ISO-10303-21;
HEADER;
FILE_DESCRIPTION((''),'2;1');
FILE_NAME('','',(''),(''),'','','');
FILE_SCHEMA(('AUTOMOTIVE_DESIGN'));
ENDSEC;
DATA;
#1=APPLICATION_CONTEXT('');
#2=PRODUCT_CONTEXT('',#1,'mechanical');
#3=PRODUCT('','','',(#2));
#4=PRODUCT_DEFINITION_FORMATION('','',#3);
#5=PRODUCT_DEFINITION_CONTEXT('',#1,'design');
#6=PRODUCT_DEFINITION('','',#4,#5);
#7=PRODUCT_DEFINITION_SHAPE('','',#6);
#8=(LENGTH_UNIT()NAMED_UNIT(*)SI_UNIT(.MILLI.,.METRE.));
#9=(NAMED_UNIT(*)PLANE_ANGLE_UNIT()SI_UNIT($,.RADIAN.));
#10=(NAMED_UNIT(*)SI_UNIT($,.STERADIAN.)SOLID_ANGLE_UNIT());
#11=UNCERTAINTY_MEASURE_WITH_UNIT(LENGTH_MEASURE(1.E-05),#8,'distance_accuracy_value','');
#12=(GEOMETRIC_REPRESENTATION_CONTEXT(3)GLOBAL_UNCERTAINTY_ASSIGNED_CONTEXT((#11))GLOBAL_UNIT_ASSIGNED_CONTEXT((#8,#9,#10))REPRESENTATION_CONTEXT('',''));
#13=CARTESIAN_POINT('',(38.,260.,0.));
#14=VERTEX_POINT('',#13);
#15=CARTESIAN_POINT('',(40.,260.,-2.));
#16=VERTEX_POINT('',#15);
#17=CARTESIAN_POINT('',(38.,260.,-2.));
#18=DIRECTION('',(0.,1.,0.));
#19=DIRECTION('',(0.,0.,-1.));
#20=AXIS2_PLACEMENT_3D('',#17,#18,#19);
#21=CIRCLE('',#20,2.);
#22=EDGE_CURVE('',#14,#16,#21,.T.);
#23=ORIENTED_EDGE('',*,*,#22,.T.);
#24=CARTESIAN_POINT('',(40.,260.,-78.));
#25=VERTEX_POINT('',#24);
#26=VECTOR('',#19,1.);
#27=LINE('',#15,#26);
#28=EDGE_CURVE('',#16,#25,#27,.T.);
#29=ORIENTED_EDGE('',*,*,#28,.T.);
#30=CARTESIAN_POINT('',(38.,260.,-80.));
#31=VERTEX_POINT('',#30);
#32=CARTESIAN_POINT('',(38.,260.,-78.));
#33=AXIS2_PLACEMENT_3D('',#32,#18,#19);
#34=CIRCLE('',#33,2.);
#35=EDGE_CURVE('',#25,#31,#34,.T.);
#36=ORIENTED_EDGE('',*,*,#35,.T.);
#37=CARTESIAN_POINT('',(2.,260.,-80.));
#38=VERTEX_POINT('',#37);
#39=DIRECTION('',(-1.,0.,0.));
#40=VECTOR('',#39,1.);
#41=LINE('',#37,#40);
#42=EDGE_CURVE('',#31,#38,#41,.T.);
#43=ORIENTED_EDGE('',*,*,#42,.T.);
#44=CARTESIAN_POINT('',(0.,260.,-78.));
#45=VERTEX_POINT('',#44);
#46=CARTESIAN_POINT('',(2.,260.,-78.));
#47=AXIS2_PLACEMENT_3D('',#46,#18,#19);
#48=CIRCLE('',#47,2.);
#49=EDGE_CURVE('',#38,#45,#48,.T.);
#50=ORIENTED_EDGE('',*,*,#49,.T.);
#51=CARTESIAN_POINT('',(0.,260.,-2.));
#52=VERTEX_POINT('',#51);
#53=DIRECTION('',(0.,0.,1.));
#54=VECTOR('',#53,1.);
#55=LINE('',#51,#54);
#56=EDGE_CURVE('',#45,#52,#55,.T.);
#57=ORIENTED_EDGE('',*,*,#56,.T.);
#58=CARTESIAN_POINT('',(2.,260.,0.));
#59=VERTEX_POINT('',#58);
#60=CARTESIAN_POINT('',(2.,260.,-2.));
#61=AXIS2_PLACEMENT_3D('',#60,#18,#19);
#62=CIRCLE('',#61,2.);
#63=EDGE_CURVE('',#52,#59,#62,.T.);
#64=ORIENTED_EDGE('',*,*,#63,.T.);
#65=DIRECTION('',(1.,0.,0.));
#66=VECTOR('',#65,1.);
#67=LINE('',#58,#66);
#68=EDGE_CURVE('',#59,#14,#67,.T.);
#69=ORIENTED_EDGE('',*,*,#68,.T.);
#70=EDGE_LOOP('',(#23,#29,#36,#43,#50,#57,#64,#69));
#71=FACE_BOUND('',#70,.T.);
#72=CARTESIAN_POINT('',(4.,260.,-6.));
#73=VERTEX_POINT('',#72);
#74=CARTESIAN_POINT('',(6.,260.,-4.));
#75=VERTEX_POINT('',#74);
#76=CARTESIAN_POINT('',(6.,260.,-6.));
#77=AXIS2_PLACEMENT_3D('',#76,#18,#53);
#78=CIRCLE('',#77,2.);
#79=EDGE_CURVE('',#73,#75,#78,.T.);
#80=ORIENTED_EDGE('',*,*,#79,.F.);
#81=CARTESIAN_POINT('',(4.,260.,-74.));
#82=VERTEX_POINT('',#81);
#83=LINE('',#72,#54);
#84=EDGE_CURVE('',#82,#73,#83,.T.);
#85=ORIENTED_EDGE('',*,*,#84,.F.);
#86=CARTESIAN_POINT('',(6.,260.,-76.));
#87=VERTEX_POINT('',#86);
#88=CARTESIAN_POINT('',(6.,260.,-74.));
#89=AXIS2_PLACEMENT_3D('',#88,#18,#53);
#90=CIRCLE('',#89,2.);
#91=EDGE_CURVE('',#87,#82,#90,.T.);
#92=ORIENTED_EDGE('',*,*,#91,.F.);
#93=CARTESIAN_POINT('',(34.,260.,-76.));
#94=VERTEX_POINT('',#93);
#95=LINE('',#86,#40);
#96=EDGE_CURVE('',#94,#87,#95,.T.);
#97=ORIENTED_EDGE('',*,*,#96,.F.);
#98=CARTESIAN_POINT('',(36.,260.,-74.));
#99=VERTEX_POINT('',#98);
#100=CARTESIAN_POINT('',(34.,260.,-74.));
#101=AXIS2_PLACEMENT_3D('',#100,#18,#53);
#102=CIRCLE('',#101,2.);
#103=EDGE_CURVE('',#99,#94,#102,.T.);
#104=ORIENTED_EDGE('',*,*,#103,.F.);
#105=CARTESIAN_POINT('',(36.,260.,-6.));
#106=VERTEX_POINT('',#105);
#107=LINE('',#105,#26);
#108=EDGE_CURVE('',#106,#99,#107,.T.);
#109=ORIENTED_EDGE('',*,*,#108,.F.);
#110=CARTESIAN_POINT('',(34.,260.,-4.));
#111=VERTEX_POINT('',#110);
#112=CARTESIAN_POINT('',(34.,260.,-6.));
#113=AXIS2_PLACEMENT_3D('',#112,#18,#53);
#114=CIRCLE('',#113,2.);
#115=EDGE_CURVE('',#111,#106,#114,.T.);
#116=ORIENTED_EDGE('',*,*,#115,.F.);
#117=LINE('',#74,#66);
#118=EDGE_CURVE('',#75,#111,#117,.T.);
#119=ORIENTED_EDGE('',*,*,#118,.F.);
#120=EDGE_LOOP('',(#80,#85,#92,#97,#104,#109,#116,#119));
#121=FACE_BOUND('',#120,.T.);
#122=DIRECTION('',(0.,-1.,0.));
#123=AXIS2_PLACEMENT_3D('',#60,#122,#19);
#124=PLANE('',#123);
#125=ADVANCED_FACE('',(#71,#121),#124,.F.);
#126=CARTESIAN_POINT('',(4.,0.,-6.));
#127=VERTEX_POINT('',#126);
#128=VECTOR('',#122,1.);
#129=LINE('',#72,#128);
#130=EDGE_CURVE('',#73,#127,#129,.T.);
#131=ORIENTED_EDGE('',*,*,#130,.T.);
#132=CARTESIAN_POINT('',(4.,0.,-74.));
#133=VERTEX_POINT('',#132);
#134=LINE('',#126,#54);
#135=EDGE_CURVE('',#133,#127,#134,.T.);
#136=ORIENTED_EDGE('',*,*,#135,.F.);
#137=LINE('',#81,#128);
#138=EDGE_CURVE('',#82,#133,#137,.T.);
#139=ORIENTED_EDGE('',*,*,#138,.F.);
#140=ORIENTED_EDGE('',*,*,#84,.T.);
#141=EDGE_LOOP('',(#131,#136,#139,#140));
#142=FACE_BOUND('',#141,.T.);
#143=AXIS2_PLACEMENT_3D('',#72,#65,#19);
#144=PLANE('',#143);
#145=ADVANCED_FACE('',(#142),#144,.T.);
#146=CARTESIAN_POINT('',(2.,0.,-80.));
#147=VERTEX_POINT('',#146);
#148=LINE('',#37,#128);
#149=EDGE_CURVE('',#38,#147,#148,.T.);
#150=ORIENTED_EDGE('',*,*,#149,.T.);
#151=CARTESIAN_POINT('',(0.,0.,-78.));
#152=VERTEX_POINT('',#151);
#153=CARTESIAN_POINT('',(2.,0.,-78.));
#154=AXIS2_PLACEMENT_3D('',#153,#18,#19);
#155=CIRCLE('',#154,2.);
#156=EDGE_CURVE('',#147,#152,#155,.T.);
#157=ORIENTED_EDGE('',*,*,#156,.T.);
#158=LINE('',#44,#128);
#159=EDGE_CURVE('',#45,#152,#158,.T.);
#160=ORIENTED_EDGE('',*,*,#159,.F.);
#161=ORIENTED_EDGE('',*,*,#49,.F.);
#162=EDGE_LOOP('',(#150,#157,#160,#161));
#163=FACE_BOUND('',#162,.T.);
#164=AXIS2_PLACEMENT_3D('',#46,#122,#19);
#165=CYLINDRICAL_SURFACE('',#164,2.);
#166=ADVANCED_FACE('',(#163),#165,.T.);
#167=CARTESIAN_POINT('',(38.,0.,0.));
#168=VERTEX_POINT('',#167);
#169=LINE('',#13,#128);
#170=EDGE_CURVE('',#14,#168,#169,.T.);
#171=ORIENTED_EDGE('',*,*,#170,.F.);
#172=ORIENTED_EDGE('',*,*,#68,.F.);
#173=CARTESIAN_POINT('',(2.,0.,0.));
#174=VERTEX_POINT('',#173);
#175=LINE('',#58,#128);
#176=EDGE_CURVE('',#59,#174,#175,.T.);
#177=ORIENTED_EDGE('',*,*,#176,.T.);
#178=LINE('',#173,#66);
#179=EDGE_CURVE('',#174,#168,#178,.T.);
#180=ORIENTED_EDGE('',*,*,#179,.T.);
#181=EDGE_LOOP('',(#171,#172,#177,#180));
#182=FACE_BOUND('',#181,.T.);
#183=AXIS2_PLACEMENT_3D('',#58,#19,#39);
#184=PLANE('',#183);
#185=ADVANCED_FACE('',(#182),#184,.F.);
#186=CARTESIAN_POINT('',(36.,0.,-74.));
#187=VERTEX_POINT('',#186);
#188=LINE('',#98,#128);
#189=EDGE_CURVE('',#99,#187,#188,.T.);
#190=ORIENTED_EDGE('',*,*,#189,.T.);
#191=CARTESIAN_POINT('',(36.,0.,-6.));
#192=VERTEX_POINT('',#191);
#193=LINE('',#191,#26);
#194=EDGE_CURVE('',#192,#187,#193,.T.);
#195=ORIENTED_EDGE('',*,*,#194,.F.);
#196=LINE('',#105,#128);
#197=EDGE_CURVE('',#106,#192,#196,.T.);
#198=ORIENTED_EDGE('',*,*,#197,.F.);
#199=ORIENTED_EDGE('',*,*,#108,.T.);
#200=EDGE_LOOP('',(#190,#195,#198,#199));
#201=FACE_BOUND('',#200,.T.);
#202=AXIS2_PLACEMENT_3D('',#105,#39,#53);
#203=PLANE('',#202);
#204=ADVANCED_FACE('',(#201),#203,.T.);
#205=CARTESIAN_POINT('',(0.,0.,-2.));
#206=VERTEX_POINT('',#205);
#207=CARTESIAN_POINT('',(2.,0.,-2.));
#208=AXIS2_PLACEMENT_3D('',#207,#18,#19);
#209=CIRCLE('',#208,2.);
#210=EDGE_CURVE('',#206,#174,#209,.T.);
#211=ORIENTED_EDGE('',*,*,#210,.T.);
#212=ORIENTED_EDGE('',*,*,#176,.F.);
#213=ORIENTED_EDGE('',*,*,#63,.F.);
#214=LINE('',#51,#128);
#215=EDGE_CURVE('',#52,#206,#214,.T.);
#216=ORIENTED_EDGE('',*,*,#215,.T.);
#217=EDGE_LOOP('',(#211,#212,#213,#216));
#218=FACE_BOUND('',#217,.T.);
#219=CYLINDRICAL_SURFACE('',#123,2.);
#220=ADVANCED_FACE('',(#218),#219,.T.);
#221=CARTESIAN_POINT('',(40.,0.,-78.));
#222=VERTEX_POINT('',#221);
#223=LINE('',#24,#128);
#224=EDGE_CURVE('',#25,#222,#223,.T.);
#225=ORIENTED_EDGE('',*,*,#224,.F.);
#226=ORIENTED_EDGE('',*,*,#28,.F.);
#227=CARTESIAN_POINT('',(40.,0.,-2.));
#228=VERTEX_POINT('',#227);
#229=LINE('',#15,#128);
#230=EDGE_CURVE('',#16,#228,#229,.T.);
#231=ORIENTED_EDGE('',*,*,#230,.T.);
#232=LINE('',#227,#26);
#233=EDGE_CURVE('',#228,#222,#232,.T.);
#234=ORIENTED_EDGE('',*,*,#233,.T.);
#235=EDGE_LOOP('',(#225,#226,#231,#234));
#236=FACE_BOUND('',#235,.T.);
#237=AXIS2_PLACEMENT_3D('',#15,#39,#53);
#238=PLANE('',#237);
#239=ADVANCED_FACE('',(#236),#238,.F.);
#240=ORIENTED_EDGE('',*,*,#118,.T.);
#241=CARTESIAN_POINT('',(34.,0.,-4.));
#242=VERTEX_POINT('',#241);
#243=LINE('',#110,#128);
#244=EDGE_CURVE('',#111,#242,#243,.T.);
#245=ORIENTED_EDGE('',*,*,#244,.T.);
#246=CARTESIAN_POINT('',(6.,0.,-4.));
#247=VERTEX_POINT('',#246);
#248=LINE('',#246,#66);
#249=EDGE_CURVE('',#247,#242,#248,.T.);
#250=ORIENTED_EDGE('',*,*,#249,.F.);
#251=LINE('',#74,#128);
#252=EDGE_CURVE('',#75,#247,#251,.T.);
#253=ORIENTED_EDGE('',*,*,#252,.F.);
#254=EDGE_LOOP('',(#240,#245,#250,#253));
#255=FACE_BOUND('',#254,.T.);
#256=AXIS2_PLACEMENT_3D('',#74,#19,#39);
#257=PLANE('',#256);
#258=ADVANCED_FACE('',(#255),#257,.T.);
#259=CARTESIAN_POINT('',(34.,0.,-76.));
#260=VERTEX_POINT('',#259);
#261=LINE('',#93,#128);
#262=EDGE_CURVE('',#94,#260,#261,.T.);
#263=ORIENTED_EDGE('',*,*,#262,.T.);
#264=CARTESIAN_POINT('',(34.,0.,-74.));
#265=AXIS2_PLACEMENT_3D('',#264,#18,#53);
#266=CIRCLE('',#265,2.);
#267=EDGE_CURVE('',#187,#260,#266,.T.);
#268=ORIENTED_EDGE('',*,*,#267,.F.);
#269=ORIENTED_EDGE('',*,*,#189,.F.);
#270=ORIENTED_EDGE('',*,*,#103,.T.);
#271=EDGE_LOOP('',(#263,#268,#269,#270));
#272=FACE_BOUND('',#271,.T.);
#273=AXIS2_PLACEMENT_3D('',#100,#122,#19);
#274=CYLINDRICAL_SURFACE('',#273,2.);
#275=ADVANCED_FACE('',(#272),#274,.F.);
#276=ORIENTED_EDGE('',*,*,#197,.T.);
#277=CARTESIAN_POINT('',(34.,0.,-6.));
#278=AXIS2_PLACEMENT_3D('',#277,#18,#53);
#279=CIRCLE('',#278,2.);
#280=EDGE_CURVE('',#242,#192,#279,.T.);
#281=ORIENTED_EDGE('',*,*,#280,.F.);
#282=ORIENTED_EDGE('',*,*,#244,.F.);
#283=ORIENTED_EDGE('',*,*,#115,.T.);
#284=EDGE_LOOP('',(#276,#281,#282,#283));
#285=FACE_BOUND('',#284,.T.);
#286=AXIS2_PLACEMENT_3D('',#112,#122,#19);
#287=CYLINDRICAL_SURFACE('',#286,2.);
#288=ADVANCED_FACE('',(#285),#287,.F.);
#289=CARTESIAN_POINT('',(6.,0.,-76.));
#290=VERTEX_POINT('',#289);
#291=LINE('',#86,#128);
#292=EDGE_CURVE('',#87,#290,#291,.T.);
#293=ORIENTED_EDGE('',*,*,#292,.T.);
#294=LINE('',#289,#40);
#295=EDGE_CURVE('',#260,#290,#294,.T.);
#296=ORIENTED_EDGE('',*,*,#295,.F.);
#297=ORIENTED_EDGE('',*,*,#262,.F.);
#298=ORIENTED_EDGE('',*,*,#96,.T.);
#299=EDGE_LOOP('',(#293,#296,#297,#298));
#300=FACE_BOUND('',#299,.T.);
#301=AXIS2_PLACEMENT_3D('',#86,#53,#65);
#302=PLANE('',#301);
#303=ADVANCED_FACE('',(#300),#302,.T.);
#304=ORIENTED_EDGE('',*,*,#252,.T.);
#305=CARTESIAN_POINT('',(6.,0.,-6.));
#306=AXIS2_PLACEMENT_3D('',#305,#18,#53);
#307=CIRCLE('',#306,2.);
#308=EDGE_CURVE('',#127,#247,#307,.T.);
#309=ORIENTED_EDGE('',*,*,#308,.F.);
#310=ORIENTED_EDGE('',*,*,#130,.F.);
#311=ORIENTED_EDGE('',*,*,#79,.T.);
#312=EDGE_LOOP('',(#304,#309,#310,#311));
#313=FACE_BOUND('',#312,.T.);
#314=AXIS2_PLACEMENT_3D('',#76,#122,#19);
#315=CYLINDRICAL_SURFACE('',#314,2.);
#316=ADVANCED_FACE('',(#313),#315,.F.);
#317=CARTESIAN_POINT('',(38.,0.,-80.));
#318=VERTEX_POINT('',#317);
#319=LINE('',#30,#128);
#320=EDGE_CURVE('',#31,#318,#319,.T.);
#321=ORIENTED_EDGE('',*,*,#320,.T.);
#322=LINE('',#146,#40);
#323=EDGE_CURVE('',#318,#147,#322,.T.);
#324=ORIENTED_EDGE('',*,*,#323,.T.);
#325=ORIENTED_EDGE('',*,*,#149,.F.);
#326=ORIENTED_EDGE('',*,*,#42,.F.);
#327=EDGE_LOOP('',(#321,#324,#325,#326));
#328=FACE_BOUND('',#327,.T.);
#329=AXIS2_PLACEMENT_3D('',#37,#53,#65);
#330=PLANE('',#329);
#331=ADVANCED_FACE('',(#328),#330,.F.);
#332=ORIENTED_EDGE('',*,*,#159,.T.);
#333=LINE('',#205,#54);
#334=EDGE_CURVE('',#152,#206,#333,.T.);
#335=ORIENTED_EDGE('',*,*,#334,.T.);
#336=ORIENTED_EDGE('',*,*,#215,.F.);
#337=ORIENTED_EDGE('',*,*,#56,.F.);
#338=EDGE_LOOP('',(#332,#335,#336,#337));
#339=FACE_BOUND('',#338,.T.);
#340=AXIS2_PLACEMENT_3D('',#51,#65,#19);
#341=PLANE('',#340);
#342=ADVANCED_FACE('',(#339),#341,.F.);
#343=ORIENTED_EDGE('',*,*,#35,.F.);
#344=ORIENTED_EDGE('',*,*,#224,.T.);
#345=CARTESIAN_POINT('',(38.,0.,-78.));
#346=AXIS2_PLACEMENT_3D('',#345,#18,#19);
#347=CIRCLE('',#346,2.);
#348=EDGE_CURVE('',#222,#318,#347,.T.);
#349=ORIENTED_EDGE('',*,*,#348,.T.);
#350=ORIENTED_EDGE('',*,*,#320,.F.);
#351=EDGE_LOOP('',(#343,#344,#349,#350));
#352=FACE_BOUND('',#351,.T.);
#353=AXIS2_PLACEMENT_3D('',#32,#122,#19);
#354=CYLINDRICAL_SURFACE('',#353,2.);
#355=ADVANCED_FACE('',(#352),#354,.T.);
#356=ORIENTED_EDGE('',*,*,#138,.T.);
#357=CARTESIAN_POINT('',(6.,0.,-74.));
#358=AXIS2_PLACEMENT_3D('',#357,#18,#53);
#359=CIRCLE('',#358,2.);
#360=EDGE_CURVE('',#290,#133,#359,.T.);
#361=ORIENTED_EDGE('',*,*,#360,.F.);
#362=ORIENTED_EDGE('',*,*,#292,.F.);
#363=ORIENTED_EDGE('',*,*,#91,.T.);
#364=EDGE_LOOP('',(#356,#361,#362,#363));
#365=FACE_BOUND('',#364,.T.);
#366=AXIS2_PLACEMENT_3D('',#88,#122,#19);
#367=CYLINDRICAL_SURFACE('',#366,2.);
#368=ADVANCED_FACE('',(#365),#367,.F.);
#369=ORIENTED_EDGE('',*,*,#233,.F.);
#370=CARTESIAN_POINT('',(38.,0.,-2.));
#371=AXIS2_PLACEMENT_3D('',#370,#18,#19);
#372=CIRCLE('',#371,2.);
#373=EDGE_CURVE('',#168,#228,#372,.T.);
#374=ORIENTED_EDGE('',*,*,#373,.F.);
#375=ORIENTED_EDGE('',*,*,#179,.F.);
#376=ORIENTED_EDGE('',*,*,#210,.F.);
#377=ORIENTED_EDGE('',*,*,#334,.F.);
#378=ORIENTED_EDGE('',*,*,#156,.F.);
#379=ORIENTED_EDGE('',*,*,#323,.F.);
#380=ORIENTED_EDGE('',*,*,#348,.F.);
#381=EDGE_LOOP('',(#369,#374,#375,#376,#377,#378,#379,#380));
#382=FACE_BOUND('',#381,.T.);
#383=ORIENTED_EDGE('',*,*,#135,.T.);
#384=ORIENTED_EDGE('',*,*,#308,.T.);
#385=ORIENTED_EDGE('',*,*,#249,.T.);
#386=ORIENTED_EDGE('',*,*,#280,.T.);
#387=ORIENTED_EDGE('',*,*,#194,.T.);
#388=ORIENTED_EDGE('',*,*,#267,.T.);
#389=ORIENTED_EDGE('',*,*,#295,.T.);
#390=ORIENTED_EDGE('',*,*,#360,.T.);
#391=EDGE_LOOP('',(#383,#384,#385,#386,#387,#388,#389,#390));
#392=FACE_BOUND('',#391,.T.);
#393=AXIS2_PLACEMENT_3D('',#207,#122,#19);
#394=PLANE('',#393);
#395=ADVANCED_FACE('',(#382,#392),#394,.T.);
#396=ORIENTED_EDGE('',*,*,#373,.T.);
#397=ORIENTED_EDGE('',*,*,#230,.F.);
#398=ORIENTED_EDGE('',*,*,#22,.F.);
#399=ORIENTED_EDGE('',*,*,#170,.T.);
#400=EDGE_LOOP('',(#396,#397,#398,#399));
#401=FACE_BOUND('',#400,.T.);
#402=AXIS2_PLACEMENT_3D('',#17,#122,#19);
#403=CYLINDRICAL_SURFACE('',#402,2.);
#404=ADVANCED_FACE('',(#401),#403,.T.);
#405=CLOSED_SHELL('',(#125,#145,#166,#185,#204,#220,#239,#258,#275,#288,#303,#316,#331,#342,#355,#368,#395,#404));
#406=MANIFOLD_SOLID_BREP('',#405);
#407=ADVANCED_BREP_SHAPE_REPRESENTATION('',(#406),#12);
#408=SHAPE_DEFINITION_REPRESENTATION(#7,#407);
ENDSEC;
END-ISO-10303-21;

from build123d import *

# Parameters (mm, degrees)
BOSS_EXTRU_1_DEPTH = 260


with BuildPart() as part:
    # Esquisse2 → Boss.-Extru.1 (new body)
    with BuildSketch(Plane(origin=(0, 0, 0), x_dir=(1, 0, 0), z_dir=(0, 1, 0))):
        with BuildLine():
            Line((2, 0), (38, 0))
            ThreePointArc((38, 0), (39.414213562, 0.585786438), (40, 2))
            Line((40, 2), (40, 78))
            ThreePointArc((40, 78), (39.414213562, 79.414213562), (38, 80))
            Line((38, 80), (2, 80))
            ThreePointArc((2, 80), (0.585786438, 79.414213562), (0, 78))
            Line((0, 78), (0, 2))
            ThreePointArc((0, 2), (0.585786438, 0.585786438), (2, 0))
        make_face()
        with BuildLine():
            Line((6, 4), (34, 4))
            ThreePointArc((34, 4), (35.414213562, 4.585786438), (36, 6))
            Line((36, 6), (36, 74))
            ThreePointArc((36, 74), (35.414213562, 75.414213562), (34, 76))
            Line((34, 76), (6, 76))
            ThreePointArc((6, 76), (4.585786438, 75.414213562), (4, 74))
            Line((4, 74), (4, 6))
            ThreePointArc((4, 6), (4.585786438, 4.585786438), (6, 4))
        make_face(mode=Mode.SUBTRACT)
    extrude(amount=BOSS_EXTRU_1_DEPTH)


solid = part.part
